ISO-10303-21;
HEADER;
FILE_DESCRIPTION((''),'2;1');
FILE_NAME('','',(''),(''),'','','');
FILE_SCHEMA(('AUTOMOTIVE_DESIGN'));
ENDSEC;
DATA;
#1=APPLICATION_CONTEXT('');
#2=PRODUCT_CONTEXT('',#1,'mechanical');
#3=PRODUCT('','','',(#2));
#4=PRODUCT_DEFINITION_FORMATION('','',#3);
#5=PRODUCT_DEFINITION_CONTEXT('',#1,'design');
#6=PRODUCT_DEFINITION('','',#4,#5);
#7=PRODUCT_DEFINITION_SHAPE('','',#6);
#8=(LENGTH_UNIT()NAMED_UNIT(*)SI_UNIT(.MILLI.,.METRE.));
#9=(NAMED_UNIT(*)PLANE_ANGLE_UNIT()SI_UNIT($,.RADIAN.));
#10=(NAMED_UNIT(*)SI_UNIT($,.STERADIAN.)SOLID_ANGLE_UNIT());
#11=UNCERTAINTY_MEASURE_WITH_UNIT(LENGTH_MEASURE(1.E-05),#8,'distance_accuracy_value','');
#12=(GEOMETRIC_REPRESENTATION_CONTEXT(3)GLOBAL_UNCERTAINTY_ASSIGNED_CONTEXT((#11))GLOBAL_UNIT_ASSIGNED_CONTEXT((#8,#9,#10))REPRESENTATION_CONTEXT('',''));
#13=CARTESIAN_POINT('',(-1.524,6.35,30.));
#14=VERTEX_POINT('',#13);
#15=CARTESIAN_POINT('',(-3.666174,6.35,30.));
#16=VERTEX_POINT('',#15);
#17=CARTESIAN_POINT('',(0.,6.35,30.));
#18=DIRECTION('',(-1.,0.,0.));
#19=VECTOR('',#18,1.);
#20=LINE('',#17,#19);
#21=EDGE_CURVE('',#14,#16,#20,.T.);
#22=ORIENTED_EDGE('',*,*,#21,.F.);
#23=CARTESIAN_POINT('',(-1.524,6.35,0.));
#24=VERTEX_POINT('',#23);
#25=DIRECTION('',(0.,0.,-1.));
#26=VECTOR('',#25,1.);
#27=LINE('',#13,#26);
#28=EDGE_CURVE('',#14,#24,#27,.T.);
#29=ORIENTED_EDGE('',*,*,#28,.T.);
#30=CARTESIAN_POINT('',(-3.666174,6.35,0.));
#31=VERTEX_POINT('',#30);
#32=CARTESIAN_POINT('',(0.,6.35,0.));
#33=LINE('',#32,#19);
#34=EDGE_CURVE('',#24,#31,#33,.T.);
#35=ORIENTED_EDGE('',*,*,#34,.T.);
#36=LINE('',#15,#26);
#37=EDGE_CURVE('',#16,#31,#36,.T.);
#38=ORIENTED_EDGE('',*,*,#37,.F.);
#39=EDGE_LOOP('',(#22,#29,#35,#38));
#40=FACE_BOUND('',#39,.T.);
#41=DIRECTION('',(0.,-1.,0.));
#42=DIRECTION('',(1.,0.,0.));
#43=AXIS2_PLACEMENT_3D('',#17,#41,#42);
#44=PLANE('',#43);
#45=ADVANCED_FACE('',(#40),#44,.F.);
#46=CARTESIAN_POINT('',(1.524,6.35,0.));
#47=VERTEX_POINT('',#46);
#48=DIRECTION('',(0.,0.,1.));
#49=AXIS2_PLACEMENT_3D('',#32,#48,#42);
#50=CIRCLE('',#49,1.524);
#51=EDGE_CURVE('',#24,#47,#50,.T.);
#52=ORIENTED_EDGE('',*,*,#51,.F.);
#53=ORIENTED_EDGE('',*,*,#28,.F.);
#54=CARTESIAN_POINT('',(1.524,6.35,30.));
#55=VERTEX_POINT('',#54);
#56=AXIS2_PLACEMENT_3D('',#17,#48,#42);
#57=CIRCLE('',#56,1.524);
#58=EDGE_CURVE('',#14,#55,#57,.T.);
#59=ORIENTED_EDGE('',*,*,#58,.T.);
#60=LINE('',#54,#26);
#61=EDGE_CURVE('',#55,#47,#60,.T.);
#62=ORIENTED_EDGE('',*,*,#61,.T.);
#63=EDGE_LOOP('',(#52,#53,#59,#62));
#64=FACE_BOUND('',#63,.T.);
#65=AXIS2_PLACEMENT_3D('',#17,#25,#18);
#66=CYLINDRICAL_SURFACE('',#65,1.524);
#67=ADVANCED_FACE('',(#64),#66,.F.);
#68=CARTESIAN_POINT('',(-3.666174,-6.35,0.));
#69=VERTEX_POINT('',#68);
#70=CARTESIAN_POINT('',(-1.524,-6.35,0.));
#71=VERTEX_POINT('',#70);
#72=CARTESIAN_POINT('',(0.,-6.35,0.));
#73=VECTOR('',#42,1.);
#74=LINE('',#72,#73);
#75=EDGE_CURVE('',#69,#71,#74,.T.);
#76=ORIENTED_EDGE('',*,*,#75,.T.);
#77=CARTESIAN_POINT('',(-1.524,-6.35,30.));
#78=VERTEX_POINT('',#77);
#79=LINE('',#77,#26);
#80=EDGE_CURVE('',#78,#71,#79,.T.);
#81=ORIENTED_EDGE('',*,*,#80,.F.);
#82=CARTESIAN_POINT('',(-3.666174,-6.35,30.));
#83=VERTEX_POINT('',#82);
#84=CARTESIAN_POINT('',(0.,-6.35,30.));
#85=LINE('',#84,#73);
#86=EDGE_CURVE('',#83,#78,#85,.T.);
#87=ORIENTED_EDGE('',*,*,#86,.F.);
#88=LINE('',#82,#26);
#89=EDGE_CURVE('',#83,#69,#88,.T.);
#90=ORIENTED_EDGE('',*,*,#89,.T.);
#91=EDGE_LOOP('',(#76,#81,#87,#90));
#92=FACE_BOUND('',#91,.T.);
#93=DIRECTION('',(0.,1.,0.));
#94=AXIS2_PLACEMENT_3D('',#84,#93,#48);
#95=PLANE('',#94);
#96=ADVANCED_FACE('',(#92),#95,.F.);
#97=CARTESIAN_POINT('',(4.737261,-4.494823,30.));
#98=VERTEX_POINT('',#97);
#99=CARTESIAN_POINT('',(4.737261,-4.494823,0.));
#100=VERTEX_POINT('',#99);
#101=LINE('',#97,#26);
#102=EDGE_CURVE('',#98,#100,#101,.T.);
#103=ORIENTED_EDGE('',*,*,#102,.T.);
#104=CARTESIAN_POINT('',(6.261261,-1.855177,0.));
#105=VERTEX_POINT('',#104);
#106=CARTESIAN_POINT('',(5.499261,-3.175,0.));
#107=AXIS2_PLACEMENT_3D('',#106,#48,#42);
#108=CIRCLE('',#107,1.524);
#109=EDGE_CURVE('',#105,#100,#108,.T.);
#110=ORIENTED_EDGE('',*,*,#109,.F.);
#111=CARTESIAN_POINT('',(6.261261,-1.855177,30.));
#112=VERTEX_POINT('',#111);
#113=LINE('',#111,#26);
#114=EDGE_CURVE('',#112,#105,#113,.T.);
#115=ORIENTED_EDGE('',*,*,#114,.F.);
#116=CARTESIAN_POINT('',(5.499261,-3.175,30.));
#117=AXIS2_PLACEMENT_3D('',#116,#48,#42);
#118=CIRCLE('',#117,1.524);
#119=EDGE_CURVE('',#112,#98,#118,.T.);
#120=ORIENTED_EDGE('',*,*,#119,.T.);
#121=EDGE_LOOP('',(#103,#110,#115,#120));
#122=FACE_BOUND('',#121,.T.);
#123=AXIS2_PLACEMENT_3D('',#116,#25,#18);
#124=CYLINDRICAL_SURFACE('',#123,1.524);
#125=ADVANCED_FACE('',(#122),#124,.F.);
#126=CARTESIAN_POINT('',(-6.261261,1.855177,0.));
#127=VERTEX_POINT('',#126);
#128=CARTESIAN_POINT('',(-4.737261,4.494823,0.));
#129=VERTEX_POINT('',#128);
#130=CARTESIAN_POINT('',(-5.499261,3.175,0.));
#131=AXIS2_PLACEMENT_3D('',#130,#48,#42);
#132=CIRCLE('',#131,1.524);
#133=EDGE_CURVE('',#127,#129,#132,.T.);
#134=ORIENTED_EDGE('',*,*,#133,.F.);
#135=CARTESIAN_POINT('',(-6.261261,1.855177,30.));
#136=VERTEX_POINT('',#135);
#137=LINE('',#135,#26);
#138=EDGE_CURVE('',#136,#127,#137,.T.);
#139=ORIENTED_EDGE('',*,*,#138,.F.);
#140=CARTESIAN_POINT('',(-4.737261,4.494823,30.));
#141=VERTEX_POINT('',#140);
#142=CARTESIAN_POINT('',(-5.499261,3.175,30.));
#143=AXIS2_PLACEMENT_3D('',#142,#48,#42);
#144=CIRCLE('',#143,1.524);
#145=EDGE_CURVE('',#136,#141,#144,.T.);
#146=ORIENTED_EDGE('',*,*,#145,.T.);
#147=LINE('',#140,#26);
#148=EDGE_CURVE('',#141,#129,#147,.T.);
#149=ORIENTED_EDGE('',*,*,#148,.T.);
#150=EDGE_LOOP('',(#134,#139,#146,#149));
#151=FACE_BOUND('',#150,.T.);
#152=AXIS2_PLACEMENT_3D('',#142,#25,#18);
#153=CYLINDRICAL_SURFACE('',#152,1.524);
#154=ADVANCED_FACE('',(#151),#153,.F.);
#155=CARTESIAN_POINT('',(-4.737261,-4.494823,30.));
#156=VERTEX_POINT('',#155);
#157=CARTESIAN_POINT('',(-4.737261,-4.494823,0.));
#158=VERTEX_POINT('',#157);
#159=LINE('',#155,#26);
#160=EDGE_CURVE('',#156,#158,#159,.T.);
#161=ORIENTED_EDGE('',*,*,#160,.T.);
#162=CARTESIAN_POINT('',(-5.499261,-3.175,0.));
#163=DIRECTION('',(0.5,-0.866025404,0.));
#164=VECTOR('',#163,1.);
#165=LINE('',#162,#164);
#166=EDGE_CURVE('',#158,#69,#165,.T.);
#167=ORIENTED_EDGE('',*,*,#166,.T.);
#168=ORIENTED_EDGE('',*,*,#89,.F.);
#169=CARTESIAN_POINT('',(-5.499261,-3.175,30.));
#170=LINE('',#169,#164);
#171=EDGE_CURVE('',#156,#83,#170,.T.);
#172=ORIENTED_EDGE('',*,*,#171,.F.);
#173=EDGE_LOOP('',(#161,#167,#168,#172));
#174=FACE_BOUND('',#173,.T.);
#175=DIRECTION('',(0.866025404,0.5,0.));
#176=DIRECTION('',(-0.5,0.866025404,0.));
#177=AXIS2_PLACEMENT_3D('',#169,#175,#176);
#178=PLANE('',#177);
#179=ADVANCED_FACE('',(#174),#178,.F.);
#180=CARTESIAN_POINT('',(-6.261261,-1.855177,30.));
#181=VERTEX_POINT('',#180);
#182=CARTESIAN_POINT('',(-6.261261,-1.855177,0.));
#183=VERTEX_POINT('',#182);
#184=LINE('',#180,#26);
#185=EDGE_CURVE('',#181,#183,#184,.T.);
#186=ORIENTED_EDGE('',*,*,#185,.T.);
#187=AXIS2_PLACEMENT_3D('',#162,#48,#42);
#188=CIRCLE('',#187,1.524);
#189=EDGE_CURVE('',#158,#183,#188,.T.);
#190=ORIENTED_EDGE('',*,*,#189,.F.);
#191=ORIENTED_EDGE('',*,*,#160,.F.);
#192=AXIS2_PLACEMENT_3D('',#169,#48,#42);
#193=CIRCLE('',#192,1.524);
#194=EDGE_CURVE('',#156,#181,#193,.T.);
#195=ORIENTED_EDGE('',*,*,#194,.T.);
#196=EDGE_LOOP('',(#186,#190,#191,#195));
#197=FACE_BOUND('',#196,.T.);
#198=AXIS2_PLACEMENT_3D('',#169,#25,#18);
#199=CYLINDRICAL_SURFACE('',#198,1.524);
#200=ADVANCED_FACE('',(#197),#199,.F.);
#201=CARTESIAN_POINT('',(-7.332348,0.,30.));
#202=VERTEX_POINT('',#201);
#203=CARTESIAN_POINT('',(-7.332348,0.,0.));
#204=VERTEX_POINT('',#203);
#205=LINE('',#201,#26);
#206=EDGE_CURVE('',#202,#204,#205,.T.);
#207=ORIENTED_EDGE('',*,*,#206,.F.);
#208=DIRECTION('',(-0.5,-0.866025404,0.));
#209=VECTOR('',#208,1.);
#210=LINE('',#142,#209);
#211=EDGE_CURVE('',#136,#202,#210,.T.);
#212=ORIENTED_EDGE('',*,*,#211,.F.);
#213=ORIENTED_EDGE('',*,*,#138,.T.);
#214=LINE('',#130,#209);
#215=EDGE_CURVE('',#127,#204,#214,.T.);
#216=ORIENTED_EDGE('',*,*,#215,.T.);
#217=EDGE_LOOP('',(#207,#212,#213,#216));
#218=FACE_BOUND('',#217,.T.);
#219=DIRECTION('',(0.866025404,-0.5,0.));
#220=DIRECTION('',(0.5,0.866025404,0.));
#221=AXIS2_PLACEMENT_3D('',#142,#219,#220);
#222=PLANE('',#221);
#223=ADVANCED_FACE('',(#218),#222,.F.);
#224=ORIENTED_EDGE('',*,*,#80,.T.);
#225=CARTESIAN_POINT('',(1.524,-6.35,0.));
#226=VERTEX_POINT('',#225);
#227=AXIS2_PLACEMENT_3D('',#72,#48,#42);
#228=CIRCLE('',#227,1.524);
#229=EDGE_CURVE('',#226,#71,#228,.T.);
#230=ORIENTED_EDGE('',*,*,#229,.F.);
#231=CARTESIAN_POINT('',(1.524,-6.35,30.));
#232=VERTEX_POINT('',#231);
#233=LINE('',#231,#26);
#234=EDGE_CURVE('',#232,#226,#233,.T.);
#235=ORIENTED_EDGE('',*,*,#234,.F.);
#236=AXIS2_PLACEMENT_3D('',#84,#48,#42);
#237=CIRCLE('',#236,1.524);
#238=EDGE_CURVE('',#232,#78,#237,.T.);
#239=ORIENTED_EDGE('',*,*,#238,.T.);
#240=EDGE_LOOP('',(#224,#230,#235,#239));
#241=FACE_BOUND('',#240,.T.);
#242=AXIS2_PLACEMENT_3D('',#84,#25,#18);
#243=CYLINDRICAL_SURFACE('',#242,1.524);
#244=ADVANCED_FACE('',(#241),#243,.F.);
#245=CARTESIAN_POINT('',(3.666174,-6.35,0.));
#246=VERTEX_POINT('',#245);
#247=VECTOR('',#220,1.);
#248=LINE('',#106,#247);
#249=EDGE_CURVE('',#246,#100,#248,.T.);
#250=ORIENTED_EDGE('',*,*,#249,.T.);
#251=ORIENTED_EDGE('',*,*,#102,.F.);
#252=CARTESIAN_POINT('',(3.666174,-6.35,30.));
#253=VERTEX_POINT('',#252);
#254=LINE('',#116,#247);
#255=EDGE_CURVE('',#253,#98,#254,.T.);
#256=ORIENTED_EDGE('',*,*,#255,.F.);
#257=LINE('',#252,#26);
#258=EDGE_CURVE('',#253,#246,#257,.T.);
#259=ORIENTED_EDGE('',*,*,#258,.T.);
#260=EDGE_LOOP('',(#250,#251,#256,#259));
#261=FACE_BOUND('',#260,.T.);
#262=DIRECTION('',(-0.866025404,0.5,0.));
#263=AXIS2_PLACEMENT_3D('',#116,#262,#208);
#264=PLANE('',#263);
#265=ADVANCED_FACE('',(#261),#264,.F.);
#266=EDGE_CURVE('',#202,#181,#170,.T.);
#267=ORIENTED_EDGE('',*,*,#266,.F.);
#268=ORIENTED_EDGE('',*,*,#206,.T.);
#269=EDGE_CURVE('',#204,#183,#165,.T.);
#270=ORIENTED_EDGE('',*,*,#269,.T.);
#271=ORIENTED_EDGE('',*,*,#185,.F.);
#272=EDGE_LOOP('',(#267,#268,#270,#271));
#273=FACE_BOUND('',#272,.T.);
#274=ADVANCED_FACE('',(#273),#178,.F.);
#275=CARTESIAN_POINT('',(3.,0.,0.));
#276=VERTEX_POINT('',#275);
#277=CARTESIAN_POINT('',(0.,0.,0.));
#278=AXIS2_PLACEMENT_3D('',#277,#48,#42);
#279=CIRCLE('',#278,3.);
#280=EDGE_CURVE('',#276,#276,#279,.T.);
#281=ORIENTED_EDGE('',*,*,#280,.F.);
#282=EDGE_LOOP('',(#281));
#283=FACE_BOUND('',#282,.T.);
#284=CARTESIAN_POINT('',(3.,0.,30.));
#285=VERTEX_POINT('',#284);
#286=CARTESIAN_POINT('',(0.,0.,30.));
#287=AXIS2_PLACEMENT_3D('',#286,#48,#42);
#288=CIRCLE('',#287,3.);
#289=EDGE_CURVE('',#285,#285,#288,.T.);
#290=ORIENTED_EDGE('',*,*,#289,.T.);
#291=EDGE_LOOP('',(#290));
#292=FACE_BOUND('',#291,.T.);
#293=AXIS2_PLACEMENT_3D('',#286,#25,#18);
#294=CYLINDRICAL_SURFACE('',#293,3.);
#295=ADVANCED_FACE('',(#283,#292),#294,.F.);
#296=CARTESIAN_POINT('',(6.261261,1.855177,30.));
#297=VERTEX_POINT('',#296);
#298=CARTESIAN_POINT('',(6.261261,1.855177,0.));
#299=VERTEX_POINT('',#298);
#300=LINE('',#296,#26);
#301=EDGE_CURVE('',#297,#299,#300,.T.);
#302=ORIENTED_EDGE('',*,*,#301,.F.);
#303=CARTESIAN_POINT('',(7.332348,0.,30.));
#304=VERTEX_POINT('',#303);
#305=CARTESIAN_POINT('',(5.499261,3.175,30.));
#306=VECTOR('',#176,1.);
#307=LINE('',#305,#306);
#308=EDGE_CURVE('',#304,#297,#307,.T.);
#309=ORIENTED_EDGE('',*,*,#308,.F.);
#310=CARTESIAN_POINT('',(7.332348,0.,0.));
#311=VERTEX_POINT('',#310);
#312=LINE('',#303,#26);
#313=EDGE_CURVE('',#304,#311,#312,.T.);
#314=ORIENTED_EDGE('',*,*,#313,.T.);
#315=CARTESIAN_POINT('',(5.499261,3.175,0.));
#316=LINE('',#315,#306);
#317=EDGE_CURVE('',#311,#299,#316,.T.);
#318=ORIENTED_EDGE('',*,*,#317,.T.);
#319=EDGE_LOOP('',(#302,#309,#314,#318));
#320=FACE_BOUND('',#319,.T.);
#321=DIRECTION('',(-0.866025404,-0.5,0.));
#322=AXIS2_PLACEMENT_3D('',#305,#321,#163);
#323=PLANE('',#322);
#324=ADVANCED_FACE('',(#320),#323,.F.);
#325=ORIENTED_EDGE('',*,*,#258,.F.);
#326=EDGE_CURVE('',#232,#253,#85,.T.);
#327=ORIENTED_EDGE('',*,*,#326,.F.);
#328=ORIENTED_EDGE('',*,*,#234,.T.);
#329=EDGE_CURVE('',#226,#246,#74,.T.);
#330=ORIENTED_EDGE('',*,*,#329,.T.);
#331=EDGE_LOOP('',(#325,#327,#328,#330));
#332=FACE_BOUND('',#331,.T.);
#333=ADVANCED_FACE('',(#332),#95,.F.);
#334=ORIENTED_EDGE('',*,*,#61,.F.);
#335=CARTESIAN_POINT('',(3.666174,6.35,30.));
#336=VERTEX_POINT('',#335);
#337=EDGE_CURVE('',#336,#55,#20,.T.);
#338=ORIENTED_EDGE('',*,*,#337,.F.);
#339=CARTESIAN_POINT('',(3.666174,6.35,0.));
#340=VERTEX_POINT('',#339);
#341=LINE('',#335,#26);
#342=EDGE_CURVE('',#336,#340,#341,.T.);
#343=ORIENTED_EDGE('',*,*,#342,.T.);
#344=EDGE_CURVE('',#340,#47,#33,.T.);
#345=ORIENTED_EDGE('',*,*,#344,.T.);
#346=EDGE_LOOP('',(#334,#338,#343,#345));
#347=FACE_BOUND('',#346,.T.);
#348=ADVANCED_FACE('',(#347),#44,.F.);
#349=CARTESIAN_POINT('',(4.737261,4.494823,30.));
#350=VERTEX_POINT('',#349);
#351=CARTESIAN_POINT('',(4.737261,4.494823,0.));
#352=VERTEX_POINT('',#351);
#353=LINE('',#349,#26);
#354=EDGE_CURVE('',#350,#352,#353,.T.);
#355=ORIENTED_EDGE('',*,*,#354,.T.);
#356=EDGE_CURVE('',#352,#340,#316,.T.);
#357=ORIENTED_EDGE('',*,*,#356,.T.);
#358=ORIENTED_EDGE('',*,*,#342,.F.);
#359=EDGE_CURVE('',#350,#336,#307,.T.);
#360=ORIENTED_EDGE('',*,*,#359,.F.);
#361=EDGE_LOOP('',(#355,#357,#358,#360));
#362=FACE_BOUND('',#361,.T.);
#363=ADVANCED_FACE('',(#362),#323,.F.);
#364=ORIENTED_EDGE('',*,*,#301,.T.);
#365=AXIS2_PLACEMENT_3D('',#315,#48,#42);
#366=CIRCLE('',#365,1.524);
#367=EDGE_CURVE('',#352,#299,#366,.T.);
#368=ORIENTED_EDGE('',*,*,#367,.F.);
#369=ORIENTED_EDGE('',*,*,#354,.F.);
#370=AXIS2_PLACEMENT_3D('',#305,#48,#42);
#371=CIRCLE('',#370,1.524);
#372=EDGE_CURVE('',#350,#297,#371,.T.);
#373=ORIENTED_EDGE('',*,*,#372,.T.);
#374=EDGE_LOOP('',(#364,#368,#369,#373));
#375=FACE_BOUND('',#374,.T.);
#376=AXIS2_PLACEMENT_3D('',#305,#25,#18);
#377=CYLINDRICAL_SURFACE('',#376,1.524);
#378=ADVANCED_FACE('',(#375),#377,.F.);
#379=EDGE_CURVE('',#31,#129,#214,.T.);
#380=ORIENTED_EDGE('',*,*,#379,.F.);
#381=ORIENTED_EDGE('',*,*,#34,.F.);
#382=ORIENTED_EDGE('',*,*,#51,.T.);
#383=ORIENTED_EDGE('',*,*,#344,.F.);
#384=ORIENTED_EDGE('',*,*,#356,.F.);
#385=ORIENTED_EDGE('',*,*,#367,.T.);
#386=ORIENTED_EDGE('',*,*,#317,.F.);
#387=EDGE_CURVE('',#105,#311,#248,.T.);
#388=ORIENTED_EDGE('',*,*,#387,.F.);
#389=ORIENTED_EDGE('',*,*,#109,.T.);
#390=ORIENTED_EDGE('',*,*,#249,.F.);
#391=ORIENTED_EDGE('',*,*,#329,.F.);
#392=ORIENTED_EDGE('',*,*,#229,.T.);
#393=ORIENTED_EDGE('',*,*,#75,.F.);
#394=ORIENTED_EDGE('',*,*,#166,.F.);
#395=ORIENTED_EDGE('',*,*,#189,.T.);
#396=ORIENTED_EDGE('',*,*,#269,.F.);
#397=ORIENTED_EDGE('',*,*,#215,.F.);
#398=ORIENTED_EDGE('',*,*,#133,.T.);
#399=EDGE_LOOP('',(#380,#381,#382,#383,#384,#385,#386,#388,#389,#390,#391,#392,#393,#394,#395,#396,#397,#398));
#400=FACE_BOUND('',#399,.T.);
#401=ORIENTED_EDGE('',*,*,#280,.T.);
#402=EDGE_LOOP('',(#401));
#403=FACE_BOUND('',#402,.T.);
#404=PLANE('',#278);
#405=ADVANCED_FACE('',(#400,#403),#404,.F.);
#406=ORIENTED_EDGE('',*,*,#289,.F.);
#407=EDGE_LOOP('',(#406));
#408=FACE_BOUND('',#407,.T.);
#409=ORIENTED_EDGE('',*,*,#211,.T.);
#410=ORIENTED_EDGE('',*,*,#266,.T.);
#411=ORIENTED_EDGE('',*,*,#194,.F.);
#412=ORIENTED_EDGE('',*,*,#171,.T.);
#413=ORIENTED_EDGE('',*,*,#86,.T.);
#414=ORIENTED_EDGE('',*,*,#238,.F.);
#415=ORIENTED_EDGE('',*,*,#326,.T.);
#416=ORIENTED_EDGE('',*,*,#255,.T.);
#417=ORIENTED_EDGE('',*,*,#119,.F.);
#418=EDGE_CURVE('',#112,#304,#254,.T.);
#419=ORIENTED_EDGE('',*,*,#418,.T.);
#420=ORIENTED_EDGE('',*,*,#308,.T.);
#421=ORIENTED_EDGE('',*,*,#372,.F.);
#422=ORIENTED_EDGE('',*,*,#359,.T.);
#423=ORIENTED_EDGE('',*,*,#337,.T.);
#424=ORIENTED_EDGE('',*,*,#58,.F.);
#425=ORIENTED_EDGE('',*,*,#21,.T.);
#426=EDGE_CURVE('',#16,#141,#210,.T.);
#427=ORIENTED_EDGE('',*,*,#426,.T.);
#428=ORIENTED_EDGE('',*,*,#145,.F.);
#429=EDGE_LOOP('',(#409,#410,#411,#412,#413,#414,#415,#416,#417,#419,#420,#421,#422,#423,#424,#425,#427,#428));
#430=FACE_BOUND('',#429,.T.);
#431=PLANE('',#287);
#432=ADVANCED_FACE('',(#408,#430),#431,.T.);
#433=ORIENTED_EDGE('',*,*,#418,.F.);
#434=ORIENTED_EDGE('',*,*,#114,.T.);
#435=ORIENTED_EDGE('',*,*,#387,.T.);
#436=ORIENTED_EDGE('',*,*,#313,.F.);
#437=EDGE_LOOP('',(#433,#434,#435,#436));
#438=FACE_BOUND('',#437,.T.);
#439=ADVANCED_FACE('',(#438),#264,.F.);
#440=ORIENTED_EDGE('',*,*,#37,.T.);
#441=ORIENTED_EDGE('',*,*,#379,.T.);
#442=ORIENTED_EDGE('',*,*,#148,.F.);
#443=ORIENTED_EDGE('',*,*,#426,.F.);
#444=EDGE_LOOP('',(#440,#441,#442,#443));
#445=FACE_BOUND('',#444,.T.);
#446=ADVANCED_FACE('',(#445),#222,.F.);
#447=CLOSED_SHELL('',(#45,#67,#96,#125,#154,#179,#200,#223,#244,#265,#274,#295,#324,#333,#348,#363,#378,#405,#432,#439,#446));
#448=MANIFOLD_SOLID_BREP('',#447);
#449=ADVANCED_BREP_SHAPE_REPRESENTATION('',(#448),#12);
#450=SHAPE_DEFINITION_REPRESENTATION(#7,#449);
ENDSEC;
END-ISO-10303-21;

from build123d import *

# Parameters (mm, degrees)
ESBO_O1_R                = 3
RESSALTO_EXTRUS_O1_DEPTH = 30


with BuildPart() as part:
    # Esboço1 → Ressalto-extrusão1 (new body)
    with BuildSketch(Plane.XY):
        with BuildLine():
            Line((4.737261314, 4.494822715), (3.666174209, 6.35))
            Line((3.666174209, 6.35), (1.524, 6.35))
            ThreePointArc((1.524, 6.35), (0, 4.826), (-1.524, 6.35))
            Line((-1.524, 6.35), (-3.666174209, 6.35))
            Line((-3.666174209, 6.35), (-4.737261314, 4.494822715))
            ThreePointArc((-4.737261314, 4.494822715), (-4.179438599, 3.937), (-3.975261314, 3.175))
            ThreePointArc((-3.975261314, 3.175), (-4.737261314, 1.855177285), (-6.261261314, 1.855177285))
            Line((-6.261261314, 1.855177285), (-7.332348419, 0))
            Line((-7.332348419, 0), (-6.261261314, -1.855177285))
            ThreePointArc((-6.261261314, -1.855177285), (-4.737261314, -1.855177285), (-3.975261314, -3.175))
            ThreePointArc((-3.975261314, -3.175), (-4.179438599, -3.937), (-4.737261314, -4.494822715))
            Line((-4.737261314, -4.494822715), (-3.666174209, -6.35))
            Line((-3.666174209, -6.35), (-1.524, -6.35))
            ThreePointArc((-1.524, -6.35), (0, -4.826), (1.524, -6.35))
            Line((1.524, -6.35), (3.666174209, -6.35))
            Line((3.666174209, -6.35), (4.737261314, -4.494822715))
            ThreePointArc((4.737261314, -4.494822715), (4.179438599, -2.413), (6.261261314, -1.855177285))
            Line((6.261261314, -1.855177285), (7.332348419, 0))
            Line((7.332348419, 0), (6.261261314, 1.855177285))
            ThreePointArc((6.261261314, 1.855177285), (4.179438599, 2.413), (4.737261314, 4.494822715))
        make_face()
        Circle(ESBO_O1_R, mode=Mode.SUBTRACT)
    extrude(amount=RESSALTO_EXTRUS_O1_DEPTH)


solid = part.part
